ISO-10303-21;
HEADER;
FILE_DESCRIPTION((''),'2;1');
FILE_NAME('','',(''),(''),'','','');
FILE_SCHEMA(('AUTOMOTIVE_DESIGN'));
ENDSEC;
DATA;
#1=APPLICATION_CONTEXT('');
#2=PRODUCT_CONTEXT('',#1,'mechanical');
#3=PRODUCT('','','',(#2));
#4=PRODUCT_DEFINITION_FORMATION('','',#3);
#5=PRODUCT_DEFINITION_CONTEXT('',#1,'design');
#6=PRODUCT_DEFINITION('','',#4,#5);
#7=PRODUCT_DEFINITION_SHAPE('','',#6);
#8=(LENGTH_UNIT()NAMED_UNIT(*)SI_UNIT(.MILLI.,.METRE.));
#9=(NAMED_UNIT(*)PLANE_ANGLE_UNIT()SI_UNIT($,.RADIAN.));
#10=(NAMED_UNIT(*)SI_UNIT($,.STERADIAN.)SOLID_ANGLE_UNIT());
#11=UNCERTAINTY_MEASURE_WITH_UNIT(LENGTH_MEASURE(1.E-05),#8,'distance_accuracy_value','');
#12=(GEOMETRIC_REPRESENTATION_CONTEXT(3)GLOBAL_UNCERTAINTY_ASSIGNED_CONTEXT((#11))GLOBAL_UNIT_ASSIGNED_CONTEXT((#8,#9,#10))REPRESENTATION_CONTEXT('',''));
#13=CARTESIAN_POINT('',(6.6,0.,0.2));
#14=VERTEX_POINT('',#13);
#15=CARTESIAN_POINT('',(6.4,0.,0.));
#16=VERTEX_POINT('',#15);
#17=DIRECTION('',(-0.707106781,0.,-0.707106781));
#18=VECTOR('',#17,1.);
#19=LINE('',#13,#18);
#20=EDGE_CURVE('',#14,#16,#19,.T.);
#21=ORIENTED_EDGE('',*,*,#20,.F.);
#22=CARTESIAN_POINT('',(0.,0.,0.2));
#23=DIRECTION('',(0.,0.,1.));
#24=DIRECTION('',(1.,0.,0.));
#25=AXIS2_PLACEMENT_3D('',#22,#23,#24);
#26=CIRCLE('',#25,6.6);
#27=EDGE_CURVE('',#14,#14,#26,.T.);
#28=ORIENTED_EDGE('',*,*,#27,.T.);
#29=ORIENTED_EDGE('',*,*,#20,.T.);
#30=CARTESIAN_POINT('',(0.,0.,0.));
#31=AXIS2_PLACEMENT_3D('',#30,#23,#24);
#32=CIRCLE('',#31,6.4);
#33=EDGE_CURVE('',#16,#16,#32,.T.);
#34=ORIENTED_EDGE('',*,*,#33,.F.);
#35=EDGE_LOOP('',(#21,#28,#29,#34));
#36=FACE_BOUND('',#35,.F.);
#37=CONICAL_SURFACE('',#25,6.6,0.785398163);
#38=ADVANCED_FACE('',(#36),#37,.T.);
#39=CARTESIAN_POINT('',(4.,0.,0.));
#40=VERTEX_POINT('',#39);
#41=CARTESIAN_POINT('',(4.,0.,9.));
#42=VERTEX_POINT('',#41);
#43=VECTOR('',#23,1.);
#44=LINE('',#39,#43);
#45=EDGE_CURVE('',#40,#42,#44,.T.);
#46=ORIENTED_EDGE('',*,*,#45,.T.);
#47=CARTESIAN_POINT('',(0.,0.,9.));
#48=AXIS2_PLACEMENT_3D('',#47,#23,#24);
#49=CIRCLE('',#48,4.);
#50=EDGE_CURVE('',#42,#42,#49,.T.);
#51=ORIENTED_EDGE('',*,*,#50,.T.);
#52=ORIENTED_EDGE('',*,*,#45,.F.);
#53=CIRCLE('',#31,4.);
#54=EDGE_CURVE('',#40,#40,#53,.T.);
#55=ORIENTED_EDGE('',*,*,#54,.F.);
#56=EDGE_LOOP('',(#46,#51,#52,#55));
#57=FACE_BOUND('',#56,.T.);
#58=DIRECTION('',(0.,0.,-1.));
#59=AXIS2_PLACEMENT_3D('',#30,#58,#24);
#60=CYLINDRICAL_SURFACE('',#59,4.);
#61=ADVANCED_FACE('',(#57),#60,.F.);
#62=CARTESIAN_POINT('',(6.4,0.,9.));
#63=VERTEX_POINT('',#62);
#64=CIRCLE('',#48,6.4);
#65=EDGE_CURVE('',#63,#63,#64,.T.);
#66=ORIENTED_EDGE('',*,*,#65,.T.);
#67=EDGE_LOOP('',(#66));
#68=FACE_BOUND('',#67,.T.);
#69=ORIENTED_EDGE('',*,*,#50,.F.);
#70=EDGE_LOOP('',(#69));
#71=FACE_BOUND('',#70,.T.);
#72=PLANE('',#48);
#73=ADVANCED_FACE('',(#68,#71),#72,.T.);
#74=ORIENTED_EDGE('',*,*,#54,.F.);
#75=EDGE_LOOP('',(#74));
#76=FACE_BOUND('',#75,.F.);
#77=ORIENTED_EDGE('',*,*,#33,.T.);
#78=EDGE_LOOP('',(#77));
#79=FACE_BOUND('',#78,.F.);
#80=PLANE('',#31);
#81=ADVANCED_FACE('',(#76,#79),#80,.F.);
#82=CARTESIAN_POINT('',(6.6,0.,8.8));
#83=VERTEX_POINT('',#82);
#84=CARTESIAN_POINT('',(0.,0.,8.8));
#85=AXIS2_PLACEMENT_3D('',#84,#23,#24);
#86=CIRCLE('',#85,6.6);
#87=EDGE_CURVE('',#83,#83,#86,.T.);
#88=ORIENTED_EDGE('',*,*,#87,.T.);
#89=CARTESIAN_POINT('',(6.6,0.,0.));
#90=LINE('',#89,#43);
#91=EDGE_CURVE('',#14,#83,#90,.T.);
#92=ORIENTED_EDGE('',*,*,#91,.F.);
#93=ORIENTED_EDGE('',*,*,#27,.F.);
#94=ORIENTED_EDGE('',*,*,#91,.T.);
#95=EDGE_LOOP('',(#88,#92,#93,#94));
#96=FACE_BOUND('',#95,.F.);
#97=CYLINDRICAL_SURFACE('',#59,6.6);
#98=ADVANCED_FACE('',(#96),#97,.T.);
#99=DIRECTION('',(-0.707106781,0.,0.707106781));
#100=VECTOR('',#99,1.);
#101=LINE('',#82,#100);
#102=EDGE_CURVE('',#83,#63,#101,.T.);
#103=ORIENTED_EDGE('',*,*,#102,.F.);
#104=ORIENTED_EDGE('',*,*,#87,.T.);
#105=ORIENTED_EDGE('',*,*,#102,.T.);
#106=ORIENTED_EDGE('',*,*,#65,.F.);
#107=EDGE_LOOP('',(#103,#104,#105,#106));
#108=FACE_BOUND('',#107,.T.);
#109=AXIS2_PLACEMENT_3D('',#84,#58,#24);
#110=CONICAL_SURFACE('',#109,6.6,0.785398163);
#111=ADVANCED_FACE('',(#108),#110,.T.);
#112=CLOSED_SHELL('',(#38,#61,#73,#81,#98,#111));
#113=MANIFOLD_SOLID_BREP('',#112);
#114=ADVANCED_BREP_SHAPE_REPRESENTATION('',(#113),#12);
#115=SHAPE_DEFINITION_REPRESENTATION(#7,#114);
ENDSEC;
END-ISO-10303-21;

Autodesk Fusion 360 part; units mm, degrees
sketch "Sketch1" plane through (0, 0, 0) normal (0, 0, 1) x (1, 0, 0)
  circle A0 centre (0, 0) radius 4
  circle A1 centre (0, 0) radius 6.6
  dimension "d1" = 8
  dimension "d2" = 13.2
extrude "Extrude1" add sketch "Sketch1" along normal blind 9
chamfer "Chamfer1" distance 0.2 angle 45 1 edges at (-6.1534, -2.3867, 9)
chamfer "Chamfer2" distance 0.2 angle 45 1 edges at (-6.1534, -2.3867, 0)
